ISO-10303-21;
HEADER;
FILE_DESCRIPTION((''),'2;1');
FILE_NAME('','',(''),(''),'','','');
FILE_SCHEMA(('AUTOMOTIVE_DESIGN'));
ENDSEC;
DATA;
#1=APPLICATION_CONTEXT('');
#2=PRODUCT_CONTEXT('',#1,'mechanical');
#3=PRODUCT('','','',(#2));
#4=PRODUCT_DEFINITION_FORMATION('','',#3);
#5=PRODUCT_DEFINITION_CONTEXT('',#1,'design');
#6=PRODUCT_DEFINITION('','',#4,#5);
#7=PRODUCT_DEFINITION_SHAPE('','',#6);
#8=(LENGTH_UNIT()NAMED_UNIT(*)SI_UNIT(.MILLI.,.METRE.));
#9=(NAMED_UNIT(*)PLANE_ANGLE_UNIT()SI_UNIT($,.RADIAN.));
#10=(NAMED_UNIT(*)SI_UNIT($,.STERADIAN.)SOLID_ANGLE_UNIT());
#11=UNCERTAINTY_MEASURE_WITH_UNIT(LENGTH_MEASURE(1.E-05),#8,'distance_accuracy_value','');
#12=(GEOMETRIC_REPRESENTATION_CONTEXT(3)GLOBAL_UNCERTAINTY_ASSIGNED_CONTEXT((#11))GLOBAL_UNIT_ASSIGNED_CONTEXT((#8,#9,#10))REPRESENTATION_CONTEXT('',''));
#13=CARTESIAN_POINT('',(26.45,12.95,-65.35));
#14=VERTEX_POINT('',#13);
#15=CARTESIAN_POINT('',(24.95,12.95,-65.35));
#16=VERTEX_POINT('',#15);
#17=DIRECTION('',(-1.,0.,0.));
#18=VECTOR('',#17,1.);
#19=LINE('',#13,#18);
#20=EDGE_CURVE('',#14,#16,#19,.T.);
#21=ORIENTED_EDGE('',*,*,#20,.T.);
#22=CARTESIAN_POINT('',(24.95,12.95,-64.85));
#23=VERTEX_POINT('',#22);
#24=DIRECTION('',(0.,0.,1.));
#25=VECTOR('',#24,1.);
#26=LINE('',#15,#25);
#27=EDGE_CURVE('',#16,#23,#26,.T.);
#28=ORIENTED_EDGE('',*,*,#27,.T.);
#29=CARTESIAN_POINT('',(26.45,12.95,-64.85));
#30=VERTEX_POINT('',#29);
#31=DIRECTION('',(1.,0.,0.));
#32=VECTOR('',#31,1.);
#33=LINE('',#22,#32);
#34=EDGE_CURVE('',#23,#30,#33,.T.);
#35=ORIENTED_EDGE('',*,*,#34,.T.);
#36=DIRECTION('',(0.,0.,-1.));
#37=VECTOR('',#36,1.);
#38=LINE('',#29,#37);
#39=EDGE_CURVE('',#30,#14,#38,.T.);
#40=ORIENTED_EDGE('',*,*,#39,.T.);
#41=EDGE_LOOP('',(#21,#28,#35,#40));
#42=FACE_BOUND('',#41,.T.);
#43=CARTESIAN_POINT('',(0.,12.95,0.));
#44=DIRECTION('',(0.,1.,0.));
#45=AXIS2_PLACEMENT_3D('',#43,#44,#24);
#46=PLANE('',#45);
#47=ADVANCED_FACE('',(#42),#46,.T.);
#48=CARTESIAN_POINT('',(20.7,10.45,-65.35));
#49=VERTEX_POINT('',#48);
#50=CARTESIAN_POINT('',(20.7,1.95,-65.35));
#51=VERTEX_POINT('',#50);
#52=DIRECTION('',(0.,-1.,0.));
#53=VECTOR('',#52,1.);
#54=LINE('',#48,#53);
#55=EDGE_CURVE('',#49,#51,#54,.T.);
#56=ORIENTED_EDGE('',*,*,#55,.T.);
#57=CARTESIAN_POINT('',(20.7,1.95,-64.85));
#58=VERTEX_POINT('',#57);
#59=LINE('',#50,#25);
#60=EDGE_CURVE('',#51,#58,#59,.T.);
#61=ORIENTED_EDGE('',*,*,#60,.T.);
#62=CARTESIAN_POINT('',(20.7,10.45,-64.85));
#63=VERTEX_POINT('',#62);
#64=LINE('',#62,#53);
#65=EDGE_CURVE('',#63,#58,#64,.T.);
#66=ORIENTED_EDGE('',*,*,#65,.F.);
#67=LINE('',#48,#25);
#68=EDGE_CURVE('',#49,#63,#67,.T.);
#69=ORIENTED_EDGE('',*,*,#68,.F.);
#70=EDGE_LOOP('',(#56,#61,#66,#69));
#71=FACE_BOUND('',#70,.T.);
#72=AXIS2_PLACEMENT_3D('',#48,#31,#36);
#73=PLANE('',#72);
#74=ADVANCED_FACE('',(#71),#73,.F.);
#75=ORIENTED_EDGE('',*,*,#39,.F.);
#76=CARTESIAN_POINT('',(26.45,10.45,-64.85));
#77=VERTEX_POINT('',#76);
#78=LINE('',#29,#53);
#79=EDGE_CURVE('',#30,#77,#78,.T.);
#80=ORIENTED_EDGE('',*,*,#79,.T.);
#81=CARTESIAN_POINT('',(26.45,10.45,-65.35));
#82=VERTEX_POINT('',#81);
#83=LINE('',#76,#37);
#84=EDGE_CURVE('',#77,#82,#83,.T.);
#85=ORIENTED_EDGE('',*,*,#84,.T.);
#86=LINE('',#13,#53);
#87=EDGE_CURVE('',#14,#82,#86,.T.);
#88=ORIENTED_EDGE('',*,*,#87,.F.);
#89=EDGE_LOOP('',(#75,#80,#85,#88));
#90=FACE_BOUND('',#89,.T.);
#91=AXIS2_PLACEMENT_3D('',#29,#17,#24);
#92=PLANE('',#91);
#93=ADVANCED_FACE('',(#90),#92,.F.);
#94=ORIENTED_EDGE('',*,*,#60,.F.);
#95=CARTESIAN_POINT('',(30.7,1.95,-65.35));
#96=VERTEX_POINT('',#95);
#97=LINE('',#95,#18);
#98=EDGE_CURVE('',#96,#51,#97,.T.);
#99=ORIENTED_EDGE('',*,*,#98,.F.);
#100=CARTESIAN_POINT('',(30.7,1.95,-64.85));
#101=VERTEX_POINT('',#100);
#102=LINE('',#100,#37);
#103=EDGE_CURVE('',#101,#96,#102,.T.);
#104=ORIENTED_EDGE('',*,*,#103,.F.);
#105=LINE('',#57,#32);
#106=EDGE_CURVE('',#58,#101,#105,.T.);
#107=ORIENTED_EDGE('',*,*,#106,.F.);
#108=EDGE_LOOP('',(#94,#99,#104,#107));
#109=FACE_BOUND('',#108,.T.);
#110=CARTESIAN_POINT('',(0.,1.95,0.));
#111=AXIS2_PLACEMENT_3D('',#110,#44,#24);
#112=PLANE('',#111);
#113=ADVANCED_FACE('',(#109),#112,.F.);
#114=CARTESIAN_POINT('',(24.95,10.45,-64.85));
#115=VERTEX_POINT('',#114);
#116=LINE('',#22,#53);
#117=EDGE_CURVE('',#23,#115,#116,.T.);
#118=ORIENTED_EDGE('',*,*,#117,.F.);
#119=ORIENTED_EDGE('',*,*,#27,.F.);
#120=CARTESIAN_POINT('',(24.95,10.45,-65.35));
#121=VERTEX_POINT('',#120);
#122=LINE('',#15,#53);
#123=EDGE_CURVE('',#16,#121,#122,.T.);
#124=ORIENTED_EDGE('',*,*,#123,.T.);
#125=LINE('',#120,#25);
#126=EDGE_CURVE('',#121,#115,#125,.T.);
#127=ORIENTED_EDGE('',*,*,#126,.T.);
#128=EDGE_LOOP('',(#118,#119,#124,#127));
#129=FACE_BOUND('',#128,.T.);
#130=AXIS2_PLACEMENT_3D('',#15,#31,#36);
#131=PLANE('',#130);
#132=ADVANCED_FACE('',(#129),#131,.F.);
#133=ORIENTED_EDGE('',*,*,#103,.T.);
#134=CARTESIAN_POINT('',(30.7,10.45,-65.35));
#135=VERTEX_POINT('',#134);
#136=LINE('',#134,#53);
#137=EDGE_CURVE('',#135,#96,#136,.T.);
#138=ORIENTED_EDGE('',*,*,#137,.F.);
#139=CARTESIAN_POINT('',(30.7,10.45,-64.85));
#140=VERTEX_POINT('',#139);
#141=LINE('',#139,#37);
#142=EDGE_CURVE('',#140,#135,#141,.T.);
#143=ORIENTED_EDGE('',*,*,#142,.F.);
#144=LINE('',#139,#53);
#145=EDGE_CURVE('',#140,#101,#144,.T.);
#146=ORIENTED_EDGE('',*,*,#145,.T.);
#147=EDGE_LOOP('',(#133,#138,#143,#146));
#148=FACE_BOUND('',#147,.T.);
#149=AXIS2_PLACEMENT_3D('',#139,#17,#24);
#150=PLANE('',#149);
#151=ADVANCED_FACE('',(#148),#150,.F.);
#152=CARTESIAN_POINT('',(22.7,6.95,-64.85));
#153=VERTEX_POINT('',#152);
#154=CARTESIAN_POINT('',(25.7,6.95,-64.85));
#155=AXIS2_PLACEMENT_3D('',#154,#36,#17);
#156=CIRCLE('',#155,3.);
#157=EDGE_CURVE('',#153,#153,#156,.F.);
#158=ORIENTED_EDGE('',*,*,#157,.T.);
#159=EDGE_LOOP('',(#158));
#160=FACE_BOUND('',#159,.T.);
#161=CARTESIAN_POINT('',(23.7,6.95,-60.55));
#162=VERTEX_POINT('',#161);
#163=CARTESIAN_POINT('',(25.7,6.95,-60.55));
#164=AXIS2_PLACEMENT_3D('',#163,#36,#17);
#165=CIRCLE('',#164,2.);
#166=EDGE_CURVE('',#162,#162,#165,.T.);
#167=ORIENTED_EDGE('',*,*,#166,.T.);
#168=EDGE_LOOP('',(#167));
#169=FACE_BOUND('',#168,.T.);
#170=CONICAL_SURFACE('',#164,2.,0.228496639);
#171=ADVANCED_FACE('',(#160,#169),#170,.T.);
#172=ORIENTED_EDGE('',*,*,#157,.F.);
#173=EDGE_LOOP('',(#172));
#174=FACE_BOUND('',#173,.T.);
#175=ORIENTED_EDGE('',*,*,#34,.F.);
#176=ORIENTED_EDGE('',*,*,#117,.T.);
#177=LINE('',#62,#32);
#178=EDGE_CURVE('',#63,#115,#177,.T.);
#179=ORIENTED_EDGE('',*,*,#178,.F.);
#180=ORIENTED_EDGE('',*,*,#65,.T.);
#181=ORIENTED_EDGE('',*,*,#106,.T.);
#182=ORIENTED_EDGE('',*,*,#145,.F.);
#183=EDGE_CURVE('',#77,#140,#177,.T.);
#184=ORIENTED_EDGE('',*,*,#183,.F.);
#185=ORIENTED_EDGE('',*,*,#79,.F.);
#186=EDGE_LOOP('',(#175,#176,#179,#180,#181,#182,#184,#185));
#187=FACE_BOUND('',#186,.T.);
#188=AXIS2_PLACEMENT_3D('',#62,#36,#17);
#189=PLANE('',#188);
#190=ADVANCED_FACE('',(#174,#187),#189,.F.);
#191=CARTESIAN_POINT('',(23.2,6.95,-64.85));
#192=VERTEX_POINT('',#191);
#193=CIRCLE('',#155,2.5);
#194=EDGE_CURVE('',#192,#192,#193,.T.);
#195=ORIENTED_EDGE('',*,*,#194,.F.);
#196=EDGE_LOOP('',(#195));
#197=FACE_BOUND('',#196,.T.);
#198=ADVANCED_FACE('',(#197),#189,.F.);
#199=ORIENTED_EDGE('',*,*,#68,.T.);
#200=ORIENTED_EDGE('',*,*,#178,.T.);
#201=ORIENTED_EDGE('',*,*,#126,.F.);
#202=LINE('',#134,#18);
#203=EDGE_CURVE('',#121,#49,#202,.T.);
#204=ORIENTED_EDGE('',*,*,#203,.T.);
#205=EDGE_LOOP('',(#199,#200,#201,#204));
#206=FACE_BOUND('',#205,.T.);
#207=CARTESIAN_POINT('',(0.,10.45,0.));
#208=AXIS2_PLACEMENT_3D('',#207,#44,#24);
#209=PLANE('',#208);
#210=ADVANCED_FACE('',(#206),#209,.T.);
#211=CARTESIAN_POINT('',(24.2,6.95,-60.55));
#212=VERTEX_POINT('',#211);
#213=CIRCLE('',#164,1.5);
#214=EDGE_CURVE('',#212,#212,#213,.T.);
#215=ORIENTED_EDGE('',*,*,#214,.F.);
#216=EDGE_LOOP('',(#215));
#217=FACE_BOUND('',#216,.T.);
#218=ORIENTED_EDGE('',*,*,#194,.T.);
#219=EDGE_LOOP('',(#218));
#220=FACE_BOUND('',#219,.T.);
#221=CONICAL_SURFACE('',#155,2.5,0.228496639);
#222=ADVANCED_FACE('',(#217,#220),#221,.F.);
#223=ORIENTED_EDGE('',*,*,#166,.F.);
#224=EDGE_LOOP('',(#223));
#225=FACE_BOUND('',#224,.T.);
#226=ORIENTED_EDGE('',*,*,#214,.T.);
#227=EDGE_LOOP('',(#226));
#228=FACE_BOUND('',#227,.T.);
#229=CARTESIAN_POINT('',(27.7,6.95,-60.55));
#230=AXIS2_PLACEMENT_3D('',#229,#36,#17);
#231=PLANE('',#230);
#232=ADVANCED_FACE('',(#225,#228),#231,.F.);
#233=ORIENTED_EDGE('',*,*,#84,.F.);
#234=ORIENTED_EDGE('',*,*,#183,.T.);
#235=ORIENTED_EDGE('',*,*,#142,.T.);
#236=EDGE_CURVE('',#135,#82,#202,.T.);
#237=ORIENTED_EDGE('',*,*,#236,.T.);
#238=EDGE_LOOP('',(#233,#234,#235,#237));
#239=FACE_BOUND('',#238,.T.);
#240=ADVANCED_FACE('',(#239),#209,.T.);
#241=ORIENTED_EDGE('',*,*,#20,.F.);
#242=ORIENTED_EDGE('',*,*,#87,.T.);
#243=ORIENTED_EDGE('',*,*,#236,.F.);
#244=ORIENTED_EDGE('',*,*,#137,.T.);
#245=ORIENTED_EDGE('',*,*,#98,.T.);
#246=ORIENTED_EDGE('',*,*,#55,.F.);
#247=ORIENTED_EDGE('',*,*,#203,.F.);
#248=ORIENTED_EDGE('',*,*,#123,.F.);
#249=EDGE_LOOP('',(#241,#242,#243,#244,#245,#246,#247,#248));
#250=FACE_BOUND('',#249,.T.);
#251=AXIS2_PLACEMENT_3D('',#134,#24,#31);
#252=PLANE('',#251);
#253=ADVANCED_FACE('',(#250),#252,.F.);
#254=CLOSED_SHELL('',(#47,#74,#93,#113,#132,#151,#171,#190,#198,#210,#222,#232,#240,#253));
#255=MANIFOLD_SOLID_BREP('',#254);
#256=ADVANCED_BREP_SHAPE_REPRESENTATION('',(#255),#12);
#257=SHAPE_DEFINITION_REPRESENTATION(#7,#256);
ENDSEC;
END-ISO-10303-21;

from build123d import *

# Parameters (mm, degrees)
MINUS_PLATE_10_X_8_5_X_0_5_SKETCH_W = 10
MINUS_PLATE_10_X_8_5_X_0_5_SKETCH_H = 0.5
MINUS_PLATE_10_X_8_5_X_0_5_DEPTH    = 8.5
SOLDER_TAB_1_5_X_2_5_SKETCH_W       = 1.5
SOLDER_TAB_1_5_X_2_5_SKETCH_H       = 0.5
SOLDER_TAB_1_5_X_2_5_DEPTH          = 2.5


with BuildPart() as part:
    # Minus Plate 10 x 8.5 x 0.5 Sketch → Minus Plate 10 x 8.5 x 0.5 (new body)
    with BuildSketch(Plane(origin=(0, 1.95, 0), x_dir=(1, 0, 0), z_dir=(0, 1, 0))):
        with Locations((25.7, 65.1)):
            Rectangle(MINUS_PLATE_10_X_8_5_X_0_5_SKETCH_W, MINUS_PLATE_10_X_8_5_X_0_5_SKETCH_H)
    extrude(amount=MINUS_PLATE_10_X_8_5_X_0_5_DEPTH)

    # Solder Tab 1.5 x 2.5 Sketch → Solder Tab 1.5 x 2.5 (add)
    with BuildSketch(Plane(origin=(0, 10.45, 0), x_dir=(1, 0, 0), z_dir=(0, 1, 0))):
        with Locations((25.7, 65.1)):
            Rectangle(SOLDER_TAB_1_5_X_2_5_SKETCH_W, SOLDER_TAB_1_5_X_2_5_SKETCH_H)
    extrude(amount=SOLDER_TAB_1_5_X_2_5_DEPTH)

    # Spring (compressed 4.3) Sketch → Spring (compressed 4.3) (revolve)
    with BuildSketch(Plane(origin=(0, 6.95, 0), x_dir=(1, 0, 0), z_dir=(0, 1, 0)), mode=Mode.PRIVATE) as spring_compressed_4_3_sk:
        Polygon((28.2, 64.85), (28.7, 64.85), (27.7, 60.55), (27.2, 60.55), align=None)
    revolve(spring_compressed_4_3_sk.sketch.rotate(Axis((25.7, 6.95, -65.85), (0, 0, 1)), 180), axis=Axis((25.7, 6.95, -65.85), (0, 0, 1)))


solid = part.part
